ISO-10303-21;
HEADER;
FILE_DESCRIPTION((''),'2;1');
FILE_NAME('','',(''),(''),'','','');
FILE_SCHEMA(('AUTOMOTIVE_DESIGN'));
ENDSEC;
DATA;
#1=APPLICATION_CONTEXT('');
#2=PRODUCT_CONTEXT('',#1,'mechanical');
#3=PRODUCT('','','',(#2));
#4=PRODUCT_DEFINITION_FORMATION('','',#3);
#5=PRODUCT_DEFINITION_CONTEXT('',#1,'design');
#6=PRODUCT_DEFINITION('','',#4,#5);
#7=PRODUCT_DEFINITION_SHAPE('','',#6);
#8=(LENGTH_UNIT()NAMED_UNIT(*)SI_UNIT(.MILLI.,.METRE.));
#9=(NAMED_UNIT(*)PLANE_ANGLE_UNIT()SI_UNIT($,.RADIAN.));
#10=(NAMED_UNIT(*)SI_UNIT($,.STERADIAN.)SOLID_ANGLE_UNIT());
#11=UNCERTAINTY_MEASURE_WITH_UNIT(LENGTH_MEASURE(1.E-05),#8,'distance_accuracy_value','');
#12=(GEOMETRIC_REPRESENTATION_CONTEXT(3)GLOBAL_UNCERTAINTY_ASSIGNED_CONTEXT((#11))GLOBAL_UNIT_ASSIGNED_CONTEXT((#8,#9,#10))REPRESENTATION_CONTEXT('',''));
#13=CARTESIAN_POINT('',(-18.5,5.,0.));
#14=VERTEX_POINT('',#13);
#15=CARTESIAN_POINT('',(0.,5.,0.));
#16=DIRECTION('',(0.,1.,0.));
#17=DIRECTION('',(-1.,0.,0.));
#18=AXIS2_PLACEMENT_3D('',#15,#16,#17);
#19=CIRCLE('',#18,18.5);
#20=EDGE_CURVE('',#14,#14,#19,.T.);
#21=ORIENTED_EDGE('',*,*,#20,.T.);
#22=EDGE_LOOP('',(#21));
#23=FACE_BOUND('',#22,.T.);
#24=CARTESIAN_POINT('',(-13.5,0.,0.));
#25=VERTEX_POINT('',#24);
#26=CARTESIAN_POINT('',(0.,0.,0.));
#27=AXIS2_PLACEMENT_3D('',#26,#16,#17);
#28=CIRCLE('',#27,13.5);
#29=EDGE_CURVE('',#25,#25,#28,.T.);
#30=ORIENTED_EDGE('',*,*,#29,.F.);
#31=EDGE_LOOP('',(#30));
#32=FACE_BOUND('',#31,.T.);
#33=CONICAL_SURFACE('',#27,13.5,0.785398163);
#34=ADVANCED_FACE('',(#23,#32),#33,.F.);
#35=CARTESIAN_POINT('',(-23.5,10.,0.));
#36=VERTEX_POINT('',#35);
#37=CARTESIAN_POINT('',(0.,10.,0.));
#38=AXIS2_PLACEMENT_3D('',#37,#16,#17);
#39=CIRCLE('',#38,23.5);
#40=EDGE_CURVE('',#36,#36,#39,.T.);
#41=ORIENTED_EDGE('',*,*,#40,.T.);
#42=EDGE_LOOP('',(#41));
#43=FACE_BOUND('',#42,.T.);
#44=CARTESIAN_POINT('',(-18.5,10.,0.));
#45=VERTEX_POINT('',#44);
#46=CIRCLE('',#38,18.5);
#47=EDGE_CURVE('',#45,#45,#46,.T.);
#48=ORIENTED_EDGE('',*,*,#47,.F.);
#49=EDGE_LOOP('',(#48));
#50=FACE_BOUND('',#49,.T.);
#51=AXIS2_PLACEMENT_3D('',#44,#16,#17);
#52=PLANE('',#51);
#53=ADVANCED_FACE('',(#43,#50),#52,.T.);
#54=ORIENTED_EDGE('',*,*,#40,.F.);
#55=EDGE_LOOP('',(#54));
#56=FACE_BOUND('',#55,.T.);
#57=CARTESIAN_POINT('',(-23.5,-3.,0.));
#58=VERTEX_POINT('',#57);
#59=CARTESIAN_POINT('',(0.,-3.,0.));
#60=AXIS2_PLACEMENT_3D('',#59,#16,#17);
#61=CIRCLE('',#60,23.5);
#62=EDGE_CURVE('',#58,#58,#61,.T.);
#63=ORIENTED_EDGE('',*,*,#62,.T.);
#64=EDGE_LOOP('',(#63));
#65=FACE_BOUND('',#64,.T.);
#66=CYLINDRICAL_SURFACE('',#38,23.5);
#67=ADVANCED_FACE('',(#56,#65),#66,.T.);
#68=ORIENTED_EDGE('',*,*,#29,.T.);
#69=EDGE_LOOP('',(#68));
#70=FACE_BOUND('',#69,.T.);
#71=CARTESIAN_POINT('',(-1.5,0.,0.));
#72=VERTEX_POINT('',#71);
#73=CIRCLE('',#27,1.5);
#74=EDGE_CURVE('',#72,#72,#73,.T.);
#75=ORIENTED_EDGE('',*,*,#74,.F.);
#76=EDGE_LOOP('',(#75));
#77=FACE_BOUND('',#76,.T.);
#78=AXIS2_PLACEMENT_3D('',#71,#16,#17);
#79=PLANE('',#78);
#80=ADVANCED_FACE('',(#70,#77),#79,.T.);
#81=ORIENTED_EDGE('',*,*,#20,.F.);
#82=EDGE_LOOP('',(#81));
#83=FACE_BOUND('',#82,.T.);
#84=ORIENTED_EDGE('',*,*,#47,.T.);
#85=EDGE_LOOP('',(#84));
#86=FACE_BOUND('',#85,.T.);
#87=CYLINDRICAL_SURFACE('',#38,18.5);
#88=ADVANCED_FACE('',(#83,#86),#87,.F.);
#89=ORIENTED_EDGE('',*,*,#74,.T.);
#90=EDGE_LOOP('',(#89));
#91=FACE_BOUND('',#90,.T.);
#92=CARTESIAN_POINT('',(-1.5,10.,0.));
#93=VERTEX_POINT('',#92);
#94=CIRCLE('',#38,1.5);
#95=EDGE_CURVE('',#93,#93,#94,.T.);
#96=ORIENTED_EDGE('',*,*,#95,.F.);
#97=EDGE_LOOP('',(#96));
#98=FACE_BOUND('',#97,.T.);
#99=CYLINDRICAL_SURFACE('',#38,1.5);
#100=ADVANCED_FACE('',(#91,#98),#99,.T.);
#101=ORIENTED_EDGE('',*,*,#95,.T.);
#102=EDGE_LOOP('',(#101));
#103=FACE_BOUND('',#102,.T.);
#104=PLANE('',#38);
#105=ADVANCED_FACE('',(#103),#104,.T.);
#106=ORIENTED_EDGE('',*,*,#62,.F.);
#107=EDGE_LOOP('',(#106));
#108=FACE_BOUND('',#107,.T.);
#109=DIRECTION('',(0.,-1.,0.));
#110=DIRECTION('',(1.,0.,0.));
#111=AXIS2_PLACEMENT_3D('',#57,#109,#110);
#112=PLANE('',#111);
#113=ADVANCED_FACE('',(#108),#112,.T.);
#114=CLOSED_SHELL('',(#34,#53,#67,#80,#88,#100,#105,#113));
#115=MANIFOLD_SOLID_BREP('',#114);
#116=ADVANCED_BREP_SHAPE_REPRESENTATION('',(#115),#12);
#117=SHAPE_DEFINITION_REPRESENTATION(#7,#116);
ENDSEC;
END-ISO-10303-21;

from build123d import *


with BuildPart() as part:
    # Esquisse1 → Révolution1 (revolve)
    with BuildSketch(Plane.XY):
        Polygon((-18.5, 5), (-18.5, 10), (-23.5, 10), (-23.5, 0), (-23.5, -3), (0, -3), (0, 10), (-1.5, 10), (-1.5, 0), (-13.5, 0), align=None)
    revolve(axis=Axis((0, 10, 0), (0, -1, 0)))


solid = part.part
